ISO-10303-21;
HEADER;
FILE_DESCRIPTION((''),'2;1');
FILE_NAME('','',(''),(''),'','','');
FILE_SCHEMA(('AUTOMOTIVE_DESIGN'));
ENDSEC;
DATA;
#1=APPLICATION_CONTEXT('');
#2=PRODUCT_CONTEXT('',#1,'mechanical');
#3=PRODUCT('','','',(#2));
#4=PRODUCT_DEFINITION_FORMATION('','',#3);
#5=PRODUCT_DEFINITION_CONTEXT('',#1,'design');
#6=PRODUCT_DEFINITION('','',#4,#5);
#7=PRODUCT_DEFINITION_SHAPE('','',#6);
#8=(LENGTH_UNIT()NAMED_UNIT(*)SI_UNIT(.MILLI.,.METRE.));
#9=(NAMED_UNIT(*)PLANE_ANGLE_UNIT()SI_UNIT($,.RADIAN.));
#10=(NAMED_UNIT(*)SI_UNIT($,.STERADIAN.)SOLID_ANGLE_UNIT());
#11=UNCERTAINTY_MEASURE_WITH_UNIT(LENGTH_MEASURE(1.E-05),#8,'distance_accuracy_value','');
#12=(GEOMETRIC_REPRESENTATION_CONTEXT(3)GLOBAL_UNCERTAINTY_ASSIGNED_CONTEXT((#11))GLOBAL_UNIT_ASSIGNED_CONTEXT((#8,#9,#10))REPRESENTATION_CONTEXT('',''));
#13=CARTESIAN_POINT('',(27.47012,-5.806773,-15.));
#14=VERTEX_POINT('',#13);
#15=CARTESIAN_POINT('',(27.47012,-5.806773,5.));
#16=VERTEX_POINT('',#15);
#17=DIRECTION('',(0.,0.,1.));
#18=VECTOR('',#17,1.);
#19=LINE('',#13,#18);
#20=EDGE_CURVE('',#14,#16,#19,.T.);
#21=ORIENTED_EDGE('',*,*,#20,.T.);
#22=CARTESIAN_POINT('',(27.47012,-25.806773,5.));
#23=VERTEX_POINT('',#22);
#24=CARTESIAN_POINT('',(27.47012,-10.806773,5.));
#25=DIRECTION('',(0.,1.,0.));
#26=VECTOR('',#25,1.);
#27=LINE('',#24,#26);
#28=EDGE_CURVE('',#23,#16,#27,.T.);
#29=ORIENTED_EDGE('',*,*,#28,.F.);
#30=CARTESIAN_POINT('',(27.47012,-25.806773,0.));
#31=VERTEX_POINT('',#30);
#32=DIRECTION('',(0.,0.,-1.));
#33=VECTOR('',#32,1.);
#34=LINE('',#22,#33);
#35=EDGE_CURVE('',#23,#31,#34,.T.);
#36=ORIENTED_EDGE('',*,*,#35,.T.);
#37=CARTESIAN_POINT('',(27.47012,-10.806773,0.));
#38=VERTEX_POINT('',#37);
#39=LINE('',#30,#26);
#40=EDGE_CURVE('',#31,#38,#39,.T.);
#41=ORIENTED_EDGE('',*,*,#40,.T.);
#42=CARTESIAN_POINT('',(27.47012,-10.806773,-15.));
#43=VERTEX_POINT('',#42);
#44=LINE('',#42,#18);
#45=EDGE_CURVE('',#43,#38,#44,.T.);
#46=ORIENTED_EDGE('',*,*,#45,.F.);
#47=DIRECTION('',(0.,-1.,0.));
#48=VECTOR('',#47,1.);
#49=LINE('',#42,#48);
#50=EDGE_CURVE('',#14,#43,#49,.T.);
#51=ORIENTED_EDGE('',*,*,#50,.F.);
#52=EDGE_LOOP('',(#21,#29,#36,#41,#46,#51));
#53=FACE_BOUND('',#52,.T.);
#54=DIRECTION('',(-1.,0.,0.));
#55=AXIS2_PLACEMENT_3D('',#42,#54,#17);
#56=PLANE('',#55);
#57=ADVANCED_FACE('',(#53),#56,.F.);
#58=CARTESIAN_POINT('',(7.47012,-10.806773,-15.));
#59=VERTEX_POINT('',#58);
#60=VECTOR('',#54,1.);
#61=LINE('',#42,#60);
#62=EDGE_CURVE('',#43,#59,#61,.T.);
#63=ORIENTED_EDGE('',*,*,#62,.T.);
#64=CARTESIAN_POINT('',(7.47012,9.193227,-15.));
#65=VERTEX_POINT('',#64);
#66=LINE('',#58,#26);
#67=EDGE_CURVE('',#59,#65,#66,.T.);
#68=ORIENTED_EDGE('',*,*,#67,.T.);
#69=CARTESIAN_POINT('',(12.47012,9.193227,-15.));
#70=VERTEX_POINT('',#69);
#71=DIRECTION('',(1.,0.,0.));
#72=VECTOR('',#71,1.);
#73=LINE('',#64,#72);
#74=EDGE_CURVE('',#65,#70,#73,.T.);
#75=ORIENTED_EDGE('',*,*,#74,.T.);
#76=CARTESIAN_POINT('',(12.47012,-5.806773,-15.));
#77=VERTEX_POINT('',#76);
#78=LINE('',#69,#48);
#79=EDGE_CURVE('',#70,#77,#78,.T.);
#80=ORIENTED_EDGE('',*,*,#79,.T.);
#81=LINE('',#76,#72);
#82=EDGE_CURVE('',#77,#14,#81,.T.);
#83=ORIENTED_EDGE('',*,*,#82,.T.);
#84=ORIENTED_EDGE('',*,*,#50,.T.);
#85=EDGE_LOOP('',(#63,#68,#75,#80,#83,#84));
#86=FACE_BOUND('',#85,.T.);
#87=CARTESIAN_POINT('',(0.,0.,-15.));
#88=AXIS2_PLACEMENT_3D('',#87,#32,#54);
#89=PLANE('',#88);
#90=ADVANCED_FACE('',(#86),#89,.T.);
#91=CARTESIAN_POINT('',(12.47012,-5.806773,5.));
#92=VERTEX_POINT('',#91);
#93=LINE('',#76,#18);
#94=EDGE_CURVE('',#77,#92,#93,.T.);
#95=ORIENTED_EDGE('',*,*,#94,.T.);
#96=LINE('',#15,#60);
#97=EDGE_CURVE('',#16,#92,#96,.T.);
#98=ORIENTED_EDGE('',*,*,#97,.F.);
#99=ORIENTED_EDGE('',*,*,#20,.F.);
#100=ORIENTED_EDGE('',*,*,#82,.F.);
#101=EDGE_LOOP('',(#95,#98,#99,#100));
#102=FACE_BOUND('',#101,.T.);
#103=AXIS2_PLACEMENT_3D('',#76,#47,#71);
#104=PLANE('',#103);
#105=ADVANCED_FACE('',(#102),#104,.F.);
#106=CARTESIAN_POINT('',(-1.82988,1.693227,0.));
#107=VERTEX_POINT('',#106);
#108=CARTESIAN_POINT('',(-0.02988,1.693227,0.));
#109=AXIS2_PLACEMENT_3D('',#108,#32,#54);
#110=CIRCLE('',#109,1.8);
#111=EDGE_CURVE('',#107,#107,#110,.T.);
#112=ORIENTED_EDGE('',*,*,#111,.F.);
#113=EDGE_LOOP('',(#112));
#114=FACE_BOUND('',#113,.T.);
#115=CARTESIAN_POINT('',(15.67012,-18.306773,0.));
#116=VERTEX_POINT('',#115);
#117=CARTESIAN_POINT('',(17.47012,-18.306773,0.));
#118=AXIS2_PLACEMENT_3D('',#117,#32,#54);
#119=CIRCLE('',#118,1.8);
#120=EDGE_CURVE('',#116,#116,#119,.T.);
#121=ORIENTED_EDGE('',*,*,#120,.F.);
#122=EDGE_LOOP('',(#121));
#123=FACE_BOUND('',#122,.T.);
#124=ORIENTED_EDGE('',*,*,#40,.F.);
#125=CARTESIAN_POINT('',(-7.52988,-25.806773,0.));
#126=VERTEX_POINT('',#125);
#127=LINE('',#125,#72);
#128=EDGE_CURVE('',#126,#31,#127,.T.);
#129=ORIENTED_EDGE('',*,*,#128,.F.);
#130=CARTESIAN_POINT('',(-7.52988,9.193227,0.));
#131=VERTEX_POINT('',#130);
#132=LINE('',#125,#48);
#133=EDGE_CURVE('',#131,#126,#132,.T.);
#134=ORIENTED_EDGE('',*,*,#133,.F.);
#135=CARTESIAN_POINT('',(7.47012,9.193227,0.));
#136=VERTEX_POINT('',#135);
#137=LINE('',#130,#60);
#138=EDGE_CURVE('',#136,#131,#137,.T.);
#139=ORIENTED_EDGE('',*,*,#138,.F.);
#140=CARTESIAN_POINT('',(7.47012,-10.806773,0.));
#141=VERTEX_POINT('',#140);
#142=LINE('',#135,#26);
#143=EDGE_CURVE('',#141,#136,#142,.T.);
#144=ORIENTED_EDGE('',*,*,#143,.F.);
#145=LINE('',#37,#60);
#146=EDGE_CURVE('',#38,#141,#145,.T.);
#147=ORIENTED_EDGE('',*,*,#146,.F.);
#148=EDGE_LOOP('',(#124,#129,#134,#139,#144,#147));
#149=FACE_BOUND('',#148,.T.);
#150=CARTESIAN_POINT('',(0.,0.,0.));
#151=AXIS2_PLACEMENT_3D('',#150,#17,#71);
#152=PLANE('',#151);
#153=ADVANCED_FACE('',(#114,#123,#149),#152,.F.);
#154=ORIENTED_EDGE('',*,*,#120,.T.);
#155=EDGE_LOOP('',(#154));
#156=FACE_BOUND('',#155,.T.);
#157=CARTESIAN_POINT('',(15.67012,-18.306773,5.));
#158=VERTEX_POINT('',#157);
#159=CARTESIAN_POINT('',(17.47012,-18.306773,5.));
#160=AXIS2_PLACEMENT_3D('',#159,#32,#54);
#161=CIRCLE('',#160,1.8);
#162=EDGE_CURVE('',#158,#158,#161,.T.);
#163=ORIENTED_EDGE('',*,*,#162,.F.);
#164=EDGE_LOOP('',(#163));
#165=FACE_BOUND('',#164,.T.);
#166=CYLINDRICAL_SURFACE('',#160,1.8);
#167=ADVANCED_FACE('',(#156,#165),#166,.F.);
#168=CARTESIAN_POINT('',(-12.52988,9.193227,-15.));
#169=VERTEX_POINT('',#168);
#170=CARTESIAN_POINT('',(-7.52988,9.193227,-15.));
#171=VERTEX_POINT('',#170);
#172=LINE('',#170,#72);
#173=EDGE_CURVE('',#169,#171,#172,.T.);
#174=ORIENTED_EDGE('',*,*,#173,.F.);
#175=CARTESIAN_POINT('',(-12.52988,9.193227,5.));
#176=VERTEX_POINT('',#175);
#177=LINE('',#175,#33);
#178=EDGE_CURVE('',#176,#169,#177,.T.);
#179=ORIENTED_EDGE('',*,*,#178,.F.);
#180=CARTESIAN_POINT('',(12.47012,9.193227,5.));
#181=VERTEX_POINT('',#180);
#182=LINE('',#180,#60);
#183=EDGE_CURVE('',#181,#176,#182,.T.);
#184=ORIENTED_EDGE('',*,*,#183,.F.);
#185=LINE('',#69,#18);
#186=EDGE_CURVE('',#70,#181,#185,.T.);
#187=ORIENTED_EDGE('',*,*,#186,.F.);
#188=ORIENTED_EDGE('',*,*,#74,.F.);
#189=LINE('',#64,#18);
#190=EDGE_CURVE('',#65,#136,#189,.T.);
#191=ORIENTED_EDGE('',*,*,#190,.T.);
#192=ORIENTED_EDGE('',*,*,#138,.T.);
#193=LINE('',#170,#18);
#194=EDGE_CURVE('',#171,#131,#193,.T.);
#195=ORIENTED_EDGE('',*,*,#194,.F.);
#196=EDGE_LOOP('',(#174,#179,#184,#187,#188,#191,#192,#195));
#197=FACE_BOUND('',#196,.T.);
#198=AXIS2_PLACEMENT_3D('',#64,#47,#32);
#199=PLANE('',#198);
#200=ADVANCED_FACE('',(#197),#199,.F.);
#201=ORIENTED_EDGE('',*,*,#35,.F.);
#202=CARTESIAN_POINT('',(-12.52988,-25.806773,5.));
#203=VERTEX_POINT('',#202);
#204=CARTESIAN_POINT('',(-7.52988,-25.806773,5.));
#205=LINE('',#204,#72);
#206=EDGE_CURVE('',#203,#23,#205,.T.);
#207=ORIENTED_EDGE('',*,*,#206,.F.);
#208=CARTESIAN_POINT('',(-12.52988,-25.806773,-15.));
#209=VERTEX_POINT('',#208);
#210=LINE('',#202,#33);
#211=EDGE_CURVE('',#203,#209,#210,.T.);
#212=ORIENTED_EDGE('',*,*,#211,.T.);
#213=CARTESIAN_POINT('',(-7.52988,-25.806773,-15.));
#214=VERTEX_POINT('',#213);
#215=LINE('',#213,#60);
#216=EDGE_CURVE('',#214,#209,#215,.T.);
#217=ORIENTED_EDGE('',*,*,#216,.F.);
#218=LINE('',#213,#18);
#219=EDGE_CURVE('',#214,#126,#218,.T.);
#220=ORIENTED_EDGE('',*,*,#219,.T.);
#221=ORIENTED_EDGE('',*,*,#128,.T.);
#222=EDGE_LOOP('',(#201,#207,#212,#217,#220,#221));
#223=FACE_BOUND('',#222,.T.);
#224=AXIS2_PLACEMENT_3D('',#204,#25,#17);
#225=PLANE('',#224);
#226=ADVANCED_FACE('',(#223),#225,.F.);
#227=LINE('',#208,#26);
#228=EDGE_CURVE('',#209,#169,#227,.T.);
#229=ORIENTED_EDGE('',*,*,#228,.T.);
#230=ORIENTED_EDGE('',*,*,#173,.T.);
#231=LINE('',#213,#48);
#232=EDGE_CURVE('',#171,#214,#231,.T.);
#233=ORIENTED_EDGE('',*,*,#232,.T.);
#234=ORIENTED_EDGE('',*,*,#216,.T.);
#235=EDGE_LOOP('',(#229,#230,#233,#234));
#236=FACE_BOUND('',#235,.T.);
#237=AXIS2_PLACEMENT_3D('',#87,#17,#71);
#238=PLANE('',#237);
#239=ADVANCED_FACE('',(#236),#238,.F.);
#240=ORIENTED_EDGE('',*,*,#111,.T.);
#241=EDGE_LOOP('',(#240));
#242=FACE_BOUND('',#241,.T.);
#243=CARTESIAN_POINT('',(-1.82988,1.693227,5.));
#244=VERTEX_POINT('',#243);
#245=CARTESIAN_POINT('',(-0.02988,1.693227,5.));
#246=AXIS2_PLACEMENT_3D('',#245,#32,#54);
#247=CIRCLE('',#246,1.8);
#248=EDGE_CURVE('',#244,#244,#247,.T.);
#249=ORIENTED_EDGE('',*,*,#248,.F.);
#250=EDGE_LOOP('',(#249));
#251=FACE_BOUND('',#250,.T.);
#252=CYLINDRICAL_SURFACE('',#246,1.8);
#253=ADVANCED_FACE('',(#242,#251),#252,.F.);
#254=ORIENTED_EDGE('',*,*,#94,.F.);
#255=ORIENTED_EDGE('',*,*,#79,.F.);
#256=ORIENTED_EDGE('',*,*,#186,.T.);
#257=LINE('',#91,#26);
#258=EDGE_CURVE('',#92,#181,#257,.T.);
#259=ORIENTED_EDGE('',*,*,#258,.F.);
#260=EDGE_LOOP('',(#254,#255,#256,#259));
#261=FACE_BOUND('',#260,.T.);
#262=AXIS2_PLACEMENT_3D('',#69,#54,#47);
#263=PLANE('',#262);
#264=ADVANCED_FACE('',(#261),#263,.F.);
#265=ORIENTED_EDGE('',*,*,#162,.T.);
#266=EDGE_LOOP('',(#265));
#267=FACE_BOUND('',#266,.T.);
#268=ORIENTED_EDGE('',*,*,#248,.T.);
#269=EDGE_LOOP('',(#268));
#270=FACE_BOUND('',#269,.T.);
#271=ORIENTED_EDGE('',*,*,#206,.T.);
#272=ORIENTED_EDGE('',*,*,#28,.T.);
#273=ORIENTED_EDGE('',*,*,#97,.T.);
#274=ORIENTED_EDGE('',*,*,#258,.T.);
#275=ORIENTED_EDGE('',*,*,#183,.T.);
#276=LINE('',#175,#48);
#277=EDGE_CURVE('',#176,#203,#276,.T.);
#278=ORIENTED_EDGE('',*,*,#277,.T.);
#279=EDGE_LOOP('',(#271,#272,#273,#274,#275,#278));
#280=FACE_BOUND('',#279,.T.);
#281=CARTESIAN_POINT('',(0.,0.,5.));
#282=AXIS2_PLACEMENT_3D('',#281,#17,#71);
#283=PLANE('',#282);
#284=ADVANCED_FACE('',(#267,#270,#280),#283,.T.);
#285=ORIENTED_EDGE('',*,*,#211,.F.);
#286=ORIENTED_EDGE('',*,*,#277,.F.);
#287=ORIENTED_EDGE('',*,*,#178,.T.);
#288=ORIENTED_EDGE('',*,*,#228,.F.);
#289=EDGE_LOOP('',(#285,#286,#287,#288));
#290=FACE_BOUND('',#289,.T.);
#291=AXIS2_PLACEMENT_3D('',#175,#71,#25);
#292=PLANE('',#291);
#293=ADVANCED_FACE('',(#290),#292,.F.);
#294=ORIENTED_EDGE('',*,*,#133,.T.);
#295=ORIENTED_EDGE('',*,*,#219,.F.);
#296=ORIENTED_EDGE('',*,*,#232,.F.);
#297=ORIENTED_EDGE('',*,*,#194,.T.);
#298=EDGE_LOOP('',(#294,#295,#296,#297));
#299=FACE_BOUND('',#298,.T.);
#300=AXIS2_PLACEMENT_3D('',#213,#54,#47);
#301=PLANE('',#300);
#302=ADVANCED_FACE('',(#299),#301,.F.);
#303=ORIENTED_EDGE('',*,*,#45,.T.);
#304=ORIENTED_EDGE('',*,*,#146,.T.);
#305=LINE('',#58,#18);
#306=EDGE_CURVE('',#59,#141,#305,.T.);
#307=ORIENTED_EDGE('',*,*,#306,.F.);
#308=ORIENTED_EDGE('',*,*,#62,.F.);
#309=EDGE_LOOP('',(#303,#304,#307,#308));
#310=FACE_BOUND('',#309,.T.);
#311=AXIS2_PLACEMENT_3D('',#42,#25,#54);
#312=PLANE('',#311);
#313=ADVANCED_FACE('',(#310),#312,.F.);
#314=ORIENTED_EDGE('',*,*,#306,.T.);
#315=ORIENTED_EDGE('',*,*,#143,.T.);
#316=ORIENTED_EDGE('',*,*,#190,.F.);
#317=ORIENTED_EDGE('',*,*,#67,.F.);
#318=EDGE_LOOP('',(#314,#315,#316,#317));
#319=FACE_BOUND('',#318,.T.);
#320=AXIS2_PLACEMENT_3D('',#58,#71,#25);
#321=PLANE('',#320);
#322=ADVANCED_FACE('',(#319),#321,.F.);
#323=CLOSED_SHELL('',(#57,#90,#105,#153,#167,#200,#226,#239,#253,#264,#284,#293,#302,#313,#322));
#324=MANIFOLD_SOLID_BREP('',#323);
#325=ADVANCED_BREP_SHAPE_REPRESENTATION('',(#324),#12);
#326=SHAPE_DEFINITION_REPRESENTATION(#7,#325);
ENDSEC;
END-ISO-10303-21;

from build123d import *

# Parameters (mm, degrees)
BOSS_EXTRUDE1_DEPTH = 5
BOSS_EXTRUDE2_DEPTH = 15
SKETCH3_W           = 5
SKETCH3_H           = 35
BOSS_EXTRUDE3_DEPTH = 15
SKETCH4_W           = 5
SKETCH4_H           = 35
BOSS_EXTRUDE4_DEPTH = 5
BOSS_EXTRUDE5_DEPTH = 5
SKETCH7_R           = 1.8
CUT_EXTRUDE1_DEPTH  = 6


with BuildPart() as part:
    # Sketch1 → Boss-Extrude1 (new body)
    with BuildSketch(Plane.XY):
        Polygon((-7.529880478, -25.806772908), (27.470119522, -25.806772908), (27.470119522, -10.806772908), (7.470119522, -10.806772908), (7.470119522, 9.193227092), (-7.529880478, 9.193227092), align=None)
    extrude(amount=BOSS_EXTRUDE1_DEPTH)



with BuildPart() as body_2:
    # Sketch2 → Boss-Extrude2 (new body)
    with BuildSketch(Plane(origin=(0, 0, 0), x_dir=(-1, 0, 0), z_dir=(0, 0, -1))):
        Polygon((-7.470119522, 9.193227092), (-12.470119522, 9.193227092), (-12.470119522, -5.806772908), (-27.470119522, -5.806772908), (-27.470119522, -10.806772908), (-7.470119522, -10.806772908), align=None)
    extrude(amount=BOSS_EXTRUDE2_DEPTH)


with BuildPart() as body_3:
    # Sketch3 → Boss-Extrude3 (new body)
    with BuildSketch(Plane(origin=(0, 0, 0), x_dir=(-1, 0, 0), z_dir=(0, 0, -1))):
        with Locations((10.029880478, -8.306772908)):
            Rectangle(SKETCH3_W, SKETCH3_H)
    extrude(amount=BOSS_EXTRUDE3_DEPTH)


with BuildPart() as part_1:
    add(part.part)

    add(body_3.part)  # Boss-Extrude4 merges body 3
    # Sketch4 → Boss-Extrude4 (add)
    with BuildSketch(Plane.XY):
        with Locations((-10.029880478, -8.306772908)):
            Rectangle(SKETCH4_W, SKETCH4_H)
    extrude(amount=BOSS_EXTRUDE4_DEPTH)


    add(body_2.part)  # Boss-Extrude5 merges body 2
    # Sketch5 → Boss-Extrude5 (add)
    with BuildSketch(Plane.XY):
        Polygon((7.470119522, 9.193227092), (7.470119522, -10.806772908), (27.470119522, -10.806772908), (27.470119522, -5.806772908), (12.470119522, -5.806772908), (12.470119522, 9.193227092), align=None)
    extrude(amount=BOSS_EXTRUDE5_DEPTH)

    # Sketch7 → Cut-Extrude1 (cut, through all)
    with BuildSketch(Plane(origin=(0, 0, 0), x_dir=(-1, 0, 0), z_dir=(0, 0, -1))):
        with Locations((0.029880478, 1.693227092)):
            Circle(SKETCH7_R)
        with Locations((-17.470119522, -18.306772908)):
            Circle(SKETCH7_R)
    extrude(amount=-CUT_EXTRUDE1_DEPTH, mode=Mode.SUBTRACT)


solid = part_1.part
